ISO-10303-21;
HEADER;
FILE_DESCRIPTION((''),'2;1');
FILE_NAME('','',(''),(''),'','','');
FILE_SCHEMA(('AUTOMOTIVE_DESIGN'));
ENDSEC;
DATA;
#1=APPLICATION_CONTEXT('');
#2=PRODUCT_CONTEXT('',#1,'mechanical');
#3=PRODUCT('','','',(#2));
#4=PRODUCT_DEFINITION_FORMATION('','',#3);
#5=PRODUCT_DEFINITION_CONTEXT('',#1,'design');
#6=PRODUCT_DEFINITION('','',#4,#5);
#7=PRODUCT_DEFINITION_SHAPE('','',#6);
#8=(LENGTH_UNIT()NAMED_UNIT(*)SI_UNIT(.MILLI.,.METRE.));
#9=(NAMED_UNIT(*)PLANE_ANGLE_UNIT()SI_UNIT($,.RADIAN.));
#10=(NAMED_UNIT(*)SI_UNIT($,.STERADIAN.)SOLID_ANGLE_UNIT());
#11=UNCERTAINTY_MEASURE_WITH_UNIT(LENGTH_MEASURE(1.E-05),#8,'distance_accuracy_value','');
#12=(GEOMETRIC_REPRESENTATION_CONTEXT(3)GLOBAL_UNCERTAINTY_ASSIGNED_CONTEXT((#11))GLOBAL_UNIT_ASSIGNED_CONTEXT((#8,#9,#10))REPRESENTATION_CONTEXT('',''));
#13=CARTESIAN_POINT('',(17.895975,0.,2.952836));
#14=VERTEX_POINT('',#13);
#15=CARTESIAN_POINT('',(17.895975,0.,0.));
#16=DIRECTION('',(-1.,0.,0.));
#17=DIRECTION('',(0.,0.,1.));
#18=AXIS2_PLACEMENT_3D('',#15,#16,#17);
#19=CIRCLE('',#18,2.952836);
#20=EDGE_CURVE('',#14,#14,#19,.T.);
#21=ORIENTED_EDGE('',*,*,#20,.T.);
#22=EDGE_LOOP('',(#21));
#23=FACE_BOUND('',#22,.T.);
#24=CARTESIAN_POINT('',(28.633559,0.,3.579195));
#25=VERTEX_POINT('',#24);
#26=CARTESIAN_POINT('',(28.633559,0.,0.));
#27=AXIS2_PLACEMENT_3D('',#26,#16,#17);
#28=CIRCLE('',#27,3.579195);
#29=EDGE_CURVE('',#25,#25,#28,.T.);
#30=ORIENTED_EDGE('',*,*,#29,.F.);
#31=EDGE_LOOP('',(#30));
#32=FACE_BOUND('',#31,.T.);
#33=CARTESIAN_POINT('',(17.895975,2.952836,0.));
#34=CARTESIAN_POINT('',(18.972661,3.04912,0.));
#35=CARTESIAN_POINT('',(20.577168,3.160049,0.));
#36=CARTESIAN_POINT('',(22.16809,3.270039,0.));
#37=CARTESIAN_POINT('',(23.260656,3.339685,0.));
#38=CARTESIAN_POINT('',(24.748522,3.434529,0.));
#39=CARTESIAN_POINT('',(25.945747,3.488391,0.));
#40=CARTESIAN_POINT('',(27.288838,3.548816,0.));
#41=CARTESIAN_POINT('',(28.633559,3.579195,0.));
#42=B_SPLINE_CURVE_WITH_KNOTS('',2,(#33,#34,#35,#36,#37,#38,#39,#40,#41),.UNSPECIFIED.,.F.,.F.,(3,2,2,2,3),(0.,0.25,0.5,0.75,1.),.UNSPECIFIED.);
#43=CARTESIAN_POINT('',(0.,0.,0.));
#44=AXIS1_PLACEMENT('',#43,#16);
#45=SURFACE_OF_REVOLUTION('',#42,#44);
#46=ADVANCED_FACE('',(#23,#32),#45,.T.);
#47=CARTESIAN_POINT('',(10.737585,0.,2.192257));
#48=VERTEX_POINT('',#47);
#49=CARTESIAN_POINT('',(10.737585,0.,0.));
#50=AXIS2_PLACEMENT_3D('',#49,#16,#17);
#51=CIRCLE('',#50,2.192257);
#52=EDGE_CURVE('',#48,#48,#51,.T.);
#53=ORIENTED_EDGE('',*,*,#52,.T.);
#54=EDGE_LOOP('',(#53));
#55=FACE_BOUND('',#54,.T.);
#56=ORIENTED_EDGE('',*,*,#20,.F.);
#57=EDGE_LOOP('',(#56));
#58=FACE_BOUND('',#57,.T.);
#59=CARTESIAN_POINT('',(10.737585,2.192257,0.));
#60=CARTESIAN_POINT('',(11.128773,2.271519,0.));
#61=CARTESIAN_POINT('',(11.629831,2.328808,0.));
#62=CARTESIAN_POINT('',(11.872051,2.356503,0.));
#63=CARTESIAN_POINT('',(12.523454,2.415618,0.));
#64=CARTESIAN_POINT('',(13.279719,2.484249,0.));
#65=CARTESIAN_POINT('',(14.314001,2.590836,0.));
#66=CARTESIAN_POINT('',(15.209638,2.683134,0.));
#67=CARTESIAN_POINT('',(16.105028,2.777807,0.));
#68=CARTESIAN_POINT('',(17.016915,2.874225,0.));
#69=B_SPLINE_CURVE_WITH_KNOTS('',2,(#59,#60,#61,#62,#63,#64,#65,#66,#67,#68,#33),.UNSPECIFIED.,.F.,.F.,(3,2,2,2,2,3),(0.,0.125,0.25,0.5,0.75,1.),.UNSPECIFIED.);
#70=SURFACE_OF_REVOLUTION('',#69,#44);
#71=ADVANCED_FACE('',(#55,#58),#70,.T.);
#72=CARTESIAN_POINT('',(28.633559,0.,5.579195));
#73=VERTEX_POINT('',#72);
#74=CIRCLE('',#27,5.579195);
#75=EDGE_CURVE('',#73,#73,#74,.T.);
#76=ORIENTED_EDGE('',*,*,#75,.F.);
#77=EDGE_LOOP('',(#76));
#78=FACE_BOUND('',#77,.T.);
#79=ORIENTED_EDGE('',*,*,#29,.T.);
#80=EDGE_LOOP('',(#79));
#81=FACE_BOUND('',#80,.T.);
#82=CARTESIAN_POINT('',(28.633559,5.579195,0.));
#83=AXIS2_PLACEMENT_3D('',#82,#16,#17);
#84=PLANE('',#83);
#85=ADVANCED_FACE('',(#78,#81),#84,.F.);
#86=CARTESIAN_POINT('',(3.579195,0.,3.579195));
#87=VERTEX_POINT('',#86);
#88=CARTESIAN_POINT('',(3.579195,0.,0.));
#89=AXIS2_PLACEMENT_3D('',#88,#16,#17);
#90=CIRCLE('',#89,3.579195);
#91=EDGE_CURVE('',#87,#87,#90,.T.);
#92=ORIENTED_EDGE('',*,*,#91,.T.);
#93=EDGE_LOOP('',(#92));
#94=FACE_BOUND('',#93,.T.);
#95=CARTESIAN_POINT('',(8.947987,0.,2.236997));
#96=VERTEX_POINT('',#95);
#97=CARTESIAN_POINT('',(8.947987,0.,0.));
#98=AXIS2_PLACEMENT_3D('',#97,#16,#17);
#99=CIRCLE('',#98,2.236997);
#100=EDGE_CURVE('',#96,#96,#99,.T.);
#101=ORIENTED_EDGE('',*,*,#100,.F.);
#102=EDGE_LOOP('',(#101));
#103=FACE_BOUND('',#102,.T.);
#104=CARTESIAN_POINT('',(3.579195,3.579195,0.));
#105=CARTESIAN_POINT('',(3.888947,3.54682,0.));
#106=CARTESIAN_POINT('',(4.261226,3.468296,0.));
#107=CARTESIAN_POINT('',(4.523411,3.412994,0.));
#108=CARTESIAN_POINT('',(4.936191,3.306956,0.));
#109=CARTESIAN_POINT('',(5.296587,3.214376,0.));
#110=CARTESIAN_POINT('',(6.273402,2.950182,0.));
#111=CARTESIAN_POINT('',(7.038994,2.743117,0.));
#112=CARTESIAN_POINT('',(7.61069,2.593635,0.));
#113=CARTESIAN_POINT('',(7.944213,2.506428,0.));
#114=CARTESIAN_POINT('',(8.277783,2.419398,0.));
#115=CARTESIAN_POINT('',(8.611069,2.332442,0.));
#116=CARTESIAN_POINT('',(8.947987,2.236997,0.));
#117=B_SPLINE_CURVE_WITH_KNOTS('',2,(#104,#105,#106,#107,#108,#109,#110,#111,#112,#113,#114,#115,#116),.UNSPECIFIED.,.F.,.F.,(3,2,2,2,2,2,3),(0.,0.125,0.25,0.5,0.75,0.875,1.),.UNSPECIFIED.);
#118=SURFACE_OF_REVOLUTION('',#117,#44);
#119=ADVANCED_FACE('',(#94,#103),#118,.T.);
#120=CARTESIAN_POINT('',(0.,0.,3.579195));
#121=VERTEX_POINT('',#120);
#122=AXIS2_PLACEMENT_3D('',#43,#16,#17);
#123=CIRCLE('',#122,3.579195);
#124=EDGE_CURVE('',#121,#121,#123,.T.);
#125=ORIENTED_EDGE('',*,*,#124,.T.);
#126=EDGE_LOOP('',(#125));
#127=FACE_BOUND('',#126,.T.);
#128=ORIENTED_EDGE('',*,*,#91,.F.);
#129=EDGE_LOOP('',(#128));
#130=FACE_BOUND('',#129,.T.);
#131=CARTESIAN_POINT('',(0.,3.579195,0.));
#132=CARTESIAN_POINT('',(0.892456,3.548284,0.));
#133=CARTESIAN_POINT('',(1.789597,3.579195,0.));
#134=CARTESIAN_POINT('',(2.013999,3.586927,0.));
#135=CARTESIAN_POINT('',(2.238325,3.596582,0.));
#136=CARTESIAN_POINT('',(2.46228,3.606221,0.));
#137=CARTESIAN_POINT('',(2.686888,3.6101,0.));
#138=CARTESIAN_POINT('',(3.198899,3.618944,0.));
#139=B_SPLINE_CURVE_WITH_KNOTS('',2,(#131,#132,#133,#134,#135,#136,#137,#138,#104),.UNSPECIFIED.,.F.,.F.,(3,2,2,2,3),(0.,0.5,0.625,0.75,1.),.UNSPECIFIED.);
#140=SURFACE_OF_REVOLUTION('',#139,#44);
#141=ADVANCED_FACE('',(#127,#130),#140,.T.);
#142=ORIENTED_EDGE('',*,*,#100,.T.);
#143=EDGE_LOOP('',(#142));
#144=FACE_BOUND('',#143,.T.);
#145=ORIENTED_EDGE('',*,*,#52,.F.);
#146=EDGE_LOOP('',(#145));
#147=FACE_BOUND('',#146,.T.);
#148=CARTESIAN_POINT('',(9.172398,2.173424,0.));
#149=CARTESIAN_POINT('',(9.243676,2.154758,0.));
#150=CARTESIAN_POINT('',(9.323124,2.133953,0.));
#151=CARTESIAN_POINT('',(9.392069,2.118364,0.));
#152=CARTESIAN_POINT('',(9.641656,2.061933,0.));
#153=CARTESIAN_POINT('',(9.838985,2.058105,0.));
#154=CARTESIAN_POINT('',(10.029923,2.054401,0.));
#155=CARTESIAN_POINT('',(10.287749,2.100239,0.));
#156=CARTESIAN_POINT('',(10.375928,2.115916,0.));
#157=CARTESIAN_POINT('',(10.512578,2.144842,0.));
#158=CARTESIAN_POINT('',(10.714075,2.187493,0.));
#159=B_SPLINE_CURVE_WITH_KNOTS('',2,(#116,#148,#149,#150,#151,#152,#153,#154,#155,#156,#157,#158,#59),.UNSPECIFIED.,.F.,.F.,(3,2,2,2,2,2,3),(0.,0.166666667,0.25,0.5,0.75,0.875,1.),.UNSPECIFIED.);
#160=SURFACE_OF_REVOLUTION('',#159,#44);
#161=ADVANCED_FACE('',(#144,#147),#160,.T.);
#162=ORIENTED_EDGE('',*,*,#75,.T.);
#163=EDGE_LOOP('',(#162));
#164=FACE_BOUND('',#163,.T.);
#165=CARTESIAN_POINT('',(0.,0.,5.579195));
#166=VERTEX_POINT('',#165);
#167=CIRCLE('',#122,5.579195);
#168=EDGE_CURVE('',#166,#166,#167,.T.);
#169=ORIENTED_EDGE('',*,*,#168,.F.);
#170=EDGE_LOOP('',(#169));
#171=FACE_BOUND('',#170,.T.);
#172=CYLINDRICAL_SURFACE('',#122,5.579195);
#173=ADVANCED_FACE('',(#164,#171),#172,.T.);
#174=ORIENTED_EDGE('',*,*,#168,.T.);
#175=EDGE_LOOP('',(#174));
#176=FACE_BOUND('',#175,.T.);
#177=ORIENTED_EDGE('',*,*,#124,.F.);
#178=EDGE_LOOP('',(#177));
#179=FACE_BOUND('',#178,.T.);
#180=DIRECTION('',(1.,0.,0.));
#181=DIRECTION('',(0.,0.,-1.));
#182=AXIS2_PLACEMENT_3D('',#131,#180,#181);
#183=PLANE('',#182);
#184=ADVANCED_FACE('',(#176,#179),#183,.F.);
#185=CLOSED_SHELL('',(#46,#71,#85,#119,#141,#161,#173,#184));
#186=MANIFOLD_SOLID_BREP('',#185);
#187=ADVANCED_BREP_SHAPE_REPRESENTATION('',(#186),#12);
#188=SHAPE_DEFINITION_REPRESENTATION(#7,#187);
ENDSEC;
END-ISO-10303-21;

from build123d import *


with BuildPart() as part:
    # Çizim1 → Döndür1 (revolve)
    with BuildSketch(Plane.XY, mode=Mode.PRIVATE) as d_nd_r1_sk:
        with BuildLine():
            Line((0, 3.579194929), (0, 5.579194929))
            Line((0, 5.579194929), (28.633559429, 5.579194929))
            Line((28.633559429, 5.579194929), (28.633559429, 3.579194929))
            add(Edge.make_bspline(
                [(28.633559429, 3.579194929), (27.288838094, 3.548816487), (25.94574747, 3.488391293), (24.748521533, 3.434528502), (23.260655716, 3.339684727), (22.168090491, 3.270039326), (20.577168186, 3.160049078), (18.972661187, 3.049119636), (17.895974643, 2.952835816)],
                knots=[0, 0, 0, 0.25, 0.25, 0.5, 0.5, 0.75, 0.75, 1, 1, 1], degree=2))
            add(Edge.make_bspline(
                [(17.895974643, 2.952835816), (17.016914527, 2.874224946), (16.105027852, 2.777807374), (15.209638282, 2.68313411), (14.314000801, 2.590835616), (13.279719039, 2.484249356), (12.523454468, 2.415618194), (11.872051374, 2.356503232), (11.629830944, 2.328808469), (11.12877327, 2.271519025), (10.737584786, 2.192256894)],
                knots=[0, 0, 0, 0.25, 0.25, 0.5, 0.5, 0.75, 0.75, 0.875, 0.875, 1, 1, 1], degree=2))
            add(Edge.make_bspline(
                [(10.737584786, 2.192256894), (10.714074676, 2.187493304), (10.512578349, 2.144841622), (10.375927725, 2.115916137), (10.287749162, 2.100239226), (10.029922524, 2.054401271), (9.838984818, 2.058105153), (9.641656407, 2.061933004), (9.392069372, 2.118364338), (9.323124419, 2.13395271), (9.243676092, 2.154758174), (9.172398085, 2.173424042), (8.947987317, 2.236996832)],
                knots=[0, 0, 0, 0.125, 0.125, 0.25, 0.25, 0.5, 0.5, 0.75, 0.75, 0.833333333, 0.833333333, 1, 1, 1], degree=2))
            add(Edge.make_bspline(
                [(8.947987317, 2.236996832), (8.611069002, 2.332441616), (8.277782612, 2.419397953), (7.944213186, 2.506428137), (7.610689869, 2.593634853), (7.038993583, 2.743116922), (6.273401544, 2.950182282), (5.296586681, 3.214375888), (4.936190954, 3.306956399), (4.523411411, 3.412993564), (4.261226163, 3.46829567), (3.888947479, 3.546819522), (3.579194929, 3.579194929)],
                knots=[0, 0, 0, 0.125, 0.125, 0.25, 0.25, 0.5, 0.5, 0.75, 0.75, 0.875, 0.875, 1, 1, 1], degree=2))
            add(Edge.make_bspline(
                [(3.579194929, 3.579194929), (3.198899414, 3.618943502), (2.68688793, 3.610100237), (2.462280286, 3.6062209), (2.238325099, 3.596581704), (2.013998548, 3.586926525), (1.789597465, 3.579194929), (0.89245554, 3.548284476), (0, 3.579194929)],
                knots=[0, 0, 0, 0.25, 0.25, 0.375, 0.375, 0.5, 0.5, 1, 1, 1], degree=2))
        make_face()
    revolve(d_nd_r1_sk.sketch.rotate(Axis((0, 0, 0), (1, 0, 0)), 90), axis=Axis((0, 0, 0), (1, 0, 0)))


solid = part.part
